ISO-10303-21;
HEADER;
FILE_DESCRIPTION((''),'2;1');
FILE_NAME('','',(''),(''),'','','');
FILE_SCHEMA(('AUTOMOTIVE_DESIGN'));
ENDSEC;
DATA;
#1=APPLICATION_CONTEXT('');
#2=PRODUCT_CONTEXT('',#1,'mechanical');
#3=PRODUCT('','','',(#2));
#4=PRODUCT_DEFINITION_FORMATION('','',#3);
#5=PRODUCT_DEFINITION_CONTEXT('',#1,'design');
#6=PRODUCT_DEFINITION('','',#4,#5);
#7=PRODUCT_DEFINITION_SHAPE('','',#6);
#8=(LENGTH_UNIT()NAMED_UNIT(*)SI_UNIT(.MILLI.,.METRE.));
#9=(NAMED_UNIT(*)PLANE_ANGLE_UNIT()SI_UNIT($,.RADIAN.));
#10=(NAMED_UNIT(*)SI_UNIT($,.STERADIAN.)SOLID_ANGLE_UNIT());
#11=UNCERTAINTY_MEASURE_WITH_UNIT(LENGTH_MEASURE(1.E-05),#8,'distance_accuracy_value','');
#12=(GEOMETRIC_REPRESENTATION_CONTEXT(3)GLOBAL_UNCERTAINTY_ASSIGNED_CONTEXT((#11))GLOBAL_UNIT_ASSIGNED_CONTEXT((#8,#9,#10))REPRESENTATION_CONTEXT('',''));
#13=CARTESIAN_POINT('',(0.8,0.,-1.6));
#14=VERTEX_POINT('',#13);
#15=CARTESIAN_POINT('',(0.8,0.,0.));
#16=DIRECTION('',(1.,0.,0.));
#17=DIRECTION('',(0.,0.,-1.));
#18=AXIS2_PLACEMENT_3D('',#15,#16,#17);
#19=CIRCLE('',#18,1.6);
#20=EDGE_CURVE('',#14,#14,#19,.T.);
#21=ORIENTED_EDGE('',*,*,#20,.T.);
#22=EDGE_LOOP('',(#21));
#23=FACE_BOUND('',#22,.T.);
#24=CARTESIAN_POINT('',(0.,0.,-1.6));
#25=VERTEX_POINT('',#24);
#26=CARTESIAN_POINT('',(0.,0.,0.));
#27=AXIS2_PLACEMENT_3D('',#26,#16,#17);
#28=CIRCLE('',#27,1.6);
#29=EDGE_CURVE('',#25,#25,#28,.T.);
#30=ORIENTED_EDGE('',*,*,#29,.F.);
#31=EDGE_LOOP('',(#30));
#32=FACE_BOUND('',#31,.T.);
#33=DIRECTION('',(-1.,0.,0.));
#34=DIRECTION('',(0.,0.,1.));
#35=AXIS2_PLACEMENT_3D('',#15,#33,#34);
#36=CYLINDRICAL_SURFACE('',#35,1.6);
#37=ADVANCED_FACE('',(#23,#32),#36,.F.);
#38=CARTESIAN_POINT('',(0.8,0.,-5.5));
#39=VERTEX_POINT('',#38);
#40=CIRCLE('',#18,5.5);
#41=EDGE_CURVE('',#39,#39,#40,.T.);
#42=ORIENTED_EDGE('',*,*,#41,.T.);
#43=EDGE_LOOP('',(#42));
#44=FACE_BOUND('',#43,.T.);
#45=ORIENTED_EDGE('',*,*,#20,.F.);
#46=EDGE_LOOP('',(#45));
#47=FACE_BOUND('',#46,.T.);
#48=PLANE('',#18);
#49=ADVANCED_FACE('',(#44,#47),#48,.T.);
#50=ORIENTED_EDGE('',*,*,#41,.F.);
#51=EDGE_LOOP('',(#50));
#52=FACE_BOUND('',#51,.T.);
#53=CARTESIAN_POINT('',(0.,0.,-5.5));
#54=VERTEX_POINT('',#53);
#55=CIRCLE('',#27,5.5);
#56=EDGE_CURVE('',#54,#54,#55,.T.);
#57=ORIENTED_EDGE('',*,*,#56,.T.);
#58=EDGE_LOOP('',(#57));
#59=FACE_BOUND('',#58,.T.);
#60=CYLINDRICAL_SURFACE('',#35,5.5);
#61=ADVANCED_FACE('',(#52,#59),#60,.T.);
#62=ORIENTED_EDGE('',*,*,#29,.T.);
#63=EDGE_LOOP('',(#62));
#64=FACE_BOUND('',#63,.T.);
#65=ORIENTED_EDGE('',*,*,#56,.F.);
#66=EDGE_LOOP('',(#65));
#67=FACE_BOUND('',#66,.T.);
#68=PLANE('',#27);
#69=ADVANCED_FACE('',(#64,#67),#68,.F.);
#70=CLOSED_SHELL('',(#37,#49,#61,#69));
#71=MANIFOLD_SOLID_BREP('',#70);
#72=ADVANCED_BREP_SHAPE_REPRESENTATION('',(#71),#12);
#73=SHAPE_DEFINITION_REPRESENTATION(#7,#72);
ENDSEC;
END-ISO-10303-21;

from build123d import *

# Parameters (mm, degrees)
SKETCH1_R          = 5.5
SKETCH1_R_2        = 1.6
BASE_EXTRUDE_DEPTH = 0.8


with BuildPart() as part:
    # Sketch1 → Base-Extrude (new body)
    with BuildSketch(Plane(origin=(0, 0, 0), x_dir=(0, 0, -1), z_dir=(1, 0, 0))):
        Circle(SKETCH1_R)
        Circle(SKETCH1_R_2, mode=Mode.SUBTRACT)
    extrude(amount=BASE_EXTRUDE_DEPTH)


solid = part.part
